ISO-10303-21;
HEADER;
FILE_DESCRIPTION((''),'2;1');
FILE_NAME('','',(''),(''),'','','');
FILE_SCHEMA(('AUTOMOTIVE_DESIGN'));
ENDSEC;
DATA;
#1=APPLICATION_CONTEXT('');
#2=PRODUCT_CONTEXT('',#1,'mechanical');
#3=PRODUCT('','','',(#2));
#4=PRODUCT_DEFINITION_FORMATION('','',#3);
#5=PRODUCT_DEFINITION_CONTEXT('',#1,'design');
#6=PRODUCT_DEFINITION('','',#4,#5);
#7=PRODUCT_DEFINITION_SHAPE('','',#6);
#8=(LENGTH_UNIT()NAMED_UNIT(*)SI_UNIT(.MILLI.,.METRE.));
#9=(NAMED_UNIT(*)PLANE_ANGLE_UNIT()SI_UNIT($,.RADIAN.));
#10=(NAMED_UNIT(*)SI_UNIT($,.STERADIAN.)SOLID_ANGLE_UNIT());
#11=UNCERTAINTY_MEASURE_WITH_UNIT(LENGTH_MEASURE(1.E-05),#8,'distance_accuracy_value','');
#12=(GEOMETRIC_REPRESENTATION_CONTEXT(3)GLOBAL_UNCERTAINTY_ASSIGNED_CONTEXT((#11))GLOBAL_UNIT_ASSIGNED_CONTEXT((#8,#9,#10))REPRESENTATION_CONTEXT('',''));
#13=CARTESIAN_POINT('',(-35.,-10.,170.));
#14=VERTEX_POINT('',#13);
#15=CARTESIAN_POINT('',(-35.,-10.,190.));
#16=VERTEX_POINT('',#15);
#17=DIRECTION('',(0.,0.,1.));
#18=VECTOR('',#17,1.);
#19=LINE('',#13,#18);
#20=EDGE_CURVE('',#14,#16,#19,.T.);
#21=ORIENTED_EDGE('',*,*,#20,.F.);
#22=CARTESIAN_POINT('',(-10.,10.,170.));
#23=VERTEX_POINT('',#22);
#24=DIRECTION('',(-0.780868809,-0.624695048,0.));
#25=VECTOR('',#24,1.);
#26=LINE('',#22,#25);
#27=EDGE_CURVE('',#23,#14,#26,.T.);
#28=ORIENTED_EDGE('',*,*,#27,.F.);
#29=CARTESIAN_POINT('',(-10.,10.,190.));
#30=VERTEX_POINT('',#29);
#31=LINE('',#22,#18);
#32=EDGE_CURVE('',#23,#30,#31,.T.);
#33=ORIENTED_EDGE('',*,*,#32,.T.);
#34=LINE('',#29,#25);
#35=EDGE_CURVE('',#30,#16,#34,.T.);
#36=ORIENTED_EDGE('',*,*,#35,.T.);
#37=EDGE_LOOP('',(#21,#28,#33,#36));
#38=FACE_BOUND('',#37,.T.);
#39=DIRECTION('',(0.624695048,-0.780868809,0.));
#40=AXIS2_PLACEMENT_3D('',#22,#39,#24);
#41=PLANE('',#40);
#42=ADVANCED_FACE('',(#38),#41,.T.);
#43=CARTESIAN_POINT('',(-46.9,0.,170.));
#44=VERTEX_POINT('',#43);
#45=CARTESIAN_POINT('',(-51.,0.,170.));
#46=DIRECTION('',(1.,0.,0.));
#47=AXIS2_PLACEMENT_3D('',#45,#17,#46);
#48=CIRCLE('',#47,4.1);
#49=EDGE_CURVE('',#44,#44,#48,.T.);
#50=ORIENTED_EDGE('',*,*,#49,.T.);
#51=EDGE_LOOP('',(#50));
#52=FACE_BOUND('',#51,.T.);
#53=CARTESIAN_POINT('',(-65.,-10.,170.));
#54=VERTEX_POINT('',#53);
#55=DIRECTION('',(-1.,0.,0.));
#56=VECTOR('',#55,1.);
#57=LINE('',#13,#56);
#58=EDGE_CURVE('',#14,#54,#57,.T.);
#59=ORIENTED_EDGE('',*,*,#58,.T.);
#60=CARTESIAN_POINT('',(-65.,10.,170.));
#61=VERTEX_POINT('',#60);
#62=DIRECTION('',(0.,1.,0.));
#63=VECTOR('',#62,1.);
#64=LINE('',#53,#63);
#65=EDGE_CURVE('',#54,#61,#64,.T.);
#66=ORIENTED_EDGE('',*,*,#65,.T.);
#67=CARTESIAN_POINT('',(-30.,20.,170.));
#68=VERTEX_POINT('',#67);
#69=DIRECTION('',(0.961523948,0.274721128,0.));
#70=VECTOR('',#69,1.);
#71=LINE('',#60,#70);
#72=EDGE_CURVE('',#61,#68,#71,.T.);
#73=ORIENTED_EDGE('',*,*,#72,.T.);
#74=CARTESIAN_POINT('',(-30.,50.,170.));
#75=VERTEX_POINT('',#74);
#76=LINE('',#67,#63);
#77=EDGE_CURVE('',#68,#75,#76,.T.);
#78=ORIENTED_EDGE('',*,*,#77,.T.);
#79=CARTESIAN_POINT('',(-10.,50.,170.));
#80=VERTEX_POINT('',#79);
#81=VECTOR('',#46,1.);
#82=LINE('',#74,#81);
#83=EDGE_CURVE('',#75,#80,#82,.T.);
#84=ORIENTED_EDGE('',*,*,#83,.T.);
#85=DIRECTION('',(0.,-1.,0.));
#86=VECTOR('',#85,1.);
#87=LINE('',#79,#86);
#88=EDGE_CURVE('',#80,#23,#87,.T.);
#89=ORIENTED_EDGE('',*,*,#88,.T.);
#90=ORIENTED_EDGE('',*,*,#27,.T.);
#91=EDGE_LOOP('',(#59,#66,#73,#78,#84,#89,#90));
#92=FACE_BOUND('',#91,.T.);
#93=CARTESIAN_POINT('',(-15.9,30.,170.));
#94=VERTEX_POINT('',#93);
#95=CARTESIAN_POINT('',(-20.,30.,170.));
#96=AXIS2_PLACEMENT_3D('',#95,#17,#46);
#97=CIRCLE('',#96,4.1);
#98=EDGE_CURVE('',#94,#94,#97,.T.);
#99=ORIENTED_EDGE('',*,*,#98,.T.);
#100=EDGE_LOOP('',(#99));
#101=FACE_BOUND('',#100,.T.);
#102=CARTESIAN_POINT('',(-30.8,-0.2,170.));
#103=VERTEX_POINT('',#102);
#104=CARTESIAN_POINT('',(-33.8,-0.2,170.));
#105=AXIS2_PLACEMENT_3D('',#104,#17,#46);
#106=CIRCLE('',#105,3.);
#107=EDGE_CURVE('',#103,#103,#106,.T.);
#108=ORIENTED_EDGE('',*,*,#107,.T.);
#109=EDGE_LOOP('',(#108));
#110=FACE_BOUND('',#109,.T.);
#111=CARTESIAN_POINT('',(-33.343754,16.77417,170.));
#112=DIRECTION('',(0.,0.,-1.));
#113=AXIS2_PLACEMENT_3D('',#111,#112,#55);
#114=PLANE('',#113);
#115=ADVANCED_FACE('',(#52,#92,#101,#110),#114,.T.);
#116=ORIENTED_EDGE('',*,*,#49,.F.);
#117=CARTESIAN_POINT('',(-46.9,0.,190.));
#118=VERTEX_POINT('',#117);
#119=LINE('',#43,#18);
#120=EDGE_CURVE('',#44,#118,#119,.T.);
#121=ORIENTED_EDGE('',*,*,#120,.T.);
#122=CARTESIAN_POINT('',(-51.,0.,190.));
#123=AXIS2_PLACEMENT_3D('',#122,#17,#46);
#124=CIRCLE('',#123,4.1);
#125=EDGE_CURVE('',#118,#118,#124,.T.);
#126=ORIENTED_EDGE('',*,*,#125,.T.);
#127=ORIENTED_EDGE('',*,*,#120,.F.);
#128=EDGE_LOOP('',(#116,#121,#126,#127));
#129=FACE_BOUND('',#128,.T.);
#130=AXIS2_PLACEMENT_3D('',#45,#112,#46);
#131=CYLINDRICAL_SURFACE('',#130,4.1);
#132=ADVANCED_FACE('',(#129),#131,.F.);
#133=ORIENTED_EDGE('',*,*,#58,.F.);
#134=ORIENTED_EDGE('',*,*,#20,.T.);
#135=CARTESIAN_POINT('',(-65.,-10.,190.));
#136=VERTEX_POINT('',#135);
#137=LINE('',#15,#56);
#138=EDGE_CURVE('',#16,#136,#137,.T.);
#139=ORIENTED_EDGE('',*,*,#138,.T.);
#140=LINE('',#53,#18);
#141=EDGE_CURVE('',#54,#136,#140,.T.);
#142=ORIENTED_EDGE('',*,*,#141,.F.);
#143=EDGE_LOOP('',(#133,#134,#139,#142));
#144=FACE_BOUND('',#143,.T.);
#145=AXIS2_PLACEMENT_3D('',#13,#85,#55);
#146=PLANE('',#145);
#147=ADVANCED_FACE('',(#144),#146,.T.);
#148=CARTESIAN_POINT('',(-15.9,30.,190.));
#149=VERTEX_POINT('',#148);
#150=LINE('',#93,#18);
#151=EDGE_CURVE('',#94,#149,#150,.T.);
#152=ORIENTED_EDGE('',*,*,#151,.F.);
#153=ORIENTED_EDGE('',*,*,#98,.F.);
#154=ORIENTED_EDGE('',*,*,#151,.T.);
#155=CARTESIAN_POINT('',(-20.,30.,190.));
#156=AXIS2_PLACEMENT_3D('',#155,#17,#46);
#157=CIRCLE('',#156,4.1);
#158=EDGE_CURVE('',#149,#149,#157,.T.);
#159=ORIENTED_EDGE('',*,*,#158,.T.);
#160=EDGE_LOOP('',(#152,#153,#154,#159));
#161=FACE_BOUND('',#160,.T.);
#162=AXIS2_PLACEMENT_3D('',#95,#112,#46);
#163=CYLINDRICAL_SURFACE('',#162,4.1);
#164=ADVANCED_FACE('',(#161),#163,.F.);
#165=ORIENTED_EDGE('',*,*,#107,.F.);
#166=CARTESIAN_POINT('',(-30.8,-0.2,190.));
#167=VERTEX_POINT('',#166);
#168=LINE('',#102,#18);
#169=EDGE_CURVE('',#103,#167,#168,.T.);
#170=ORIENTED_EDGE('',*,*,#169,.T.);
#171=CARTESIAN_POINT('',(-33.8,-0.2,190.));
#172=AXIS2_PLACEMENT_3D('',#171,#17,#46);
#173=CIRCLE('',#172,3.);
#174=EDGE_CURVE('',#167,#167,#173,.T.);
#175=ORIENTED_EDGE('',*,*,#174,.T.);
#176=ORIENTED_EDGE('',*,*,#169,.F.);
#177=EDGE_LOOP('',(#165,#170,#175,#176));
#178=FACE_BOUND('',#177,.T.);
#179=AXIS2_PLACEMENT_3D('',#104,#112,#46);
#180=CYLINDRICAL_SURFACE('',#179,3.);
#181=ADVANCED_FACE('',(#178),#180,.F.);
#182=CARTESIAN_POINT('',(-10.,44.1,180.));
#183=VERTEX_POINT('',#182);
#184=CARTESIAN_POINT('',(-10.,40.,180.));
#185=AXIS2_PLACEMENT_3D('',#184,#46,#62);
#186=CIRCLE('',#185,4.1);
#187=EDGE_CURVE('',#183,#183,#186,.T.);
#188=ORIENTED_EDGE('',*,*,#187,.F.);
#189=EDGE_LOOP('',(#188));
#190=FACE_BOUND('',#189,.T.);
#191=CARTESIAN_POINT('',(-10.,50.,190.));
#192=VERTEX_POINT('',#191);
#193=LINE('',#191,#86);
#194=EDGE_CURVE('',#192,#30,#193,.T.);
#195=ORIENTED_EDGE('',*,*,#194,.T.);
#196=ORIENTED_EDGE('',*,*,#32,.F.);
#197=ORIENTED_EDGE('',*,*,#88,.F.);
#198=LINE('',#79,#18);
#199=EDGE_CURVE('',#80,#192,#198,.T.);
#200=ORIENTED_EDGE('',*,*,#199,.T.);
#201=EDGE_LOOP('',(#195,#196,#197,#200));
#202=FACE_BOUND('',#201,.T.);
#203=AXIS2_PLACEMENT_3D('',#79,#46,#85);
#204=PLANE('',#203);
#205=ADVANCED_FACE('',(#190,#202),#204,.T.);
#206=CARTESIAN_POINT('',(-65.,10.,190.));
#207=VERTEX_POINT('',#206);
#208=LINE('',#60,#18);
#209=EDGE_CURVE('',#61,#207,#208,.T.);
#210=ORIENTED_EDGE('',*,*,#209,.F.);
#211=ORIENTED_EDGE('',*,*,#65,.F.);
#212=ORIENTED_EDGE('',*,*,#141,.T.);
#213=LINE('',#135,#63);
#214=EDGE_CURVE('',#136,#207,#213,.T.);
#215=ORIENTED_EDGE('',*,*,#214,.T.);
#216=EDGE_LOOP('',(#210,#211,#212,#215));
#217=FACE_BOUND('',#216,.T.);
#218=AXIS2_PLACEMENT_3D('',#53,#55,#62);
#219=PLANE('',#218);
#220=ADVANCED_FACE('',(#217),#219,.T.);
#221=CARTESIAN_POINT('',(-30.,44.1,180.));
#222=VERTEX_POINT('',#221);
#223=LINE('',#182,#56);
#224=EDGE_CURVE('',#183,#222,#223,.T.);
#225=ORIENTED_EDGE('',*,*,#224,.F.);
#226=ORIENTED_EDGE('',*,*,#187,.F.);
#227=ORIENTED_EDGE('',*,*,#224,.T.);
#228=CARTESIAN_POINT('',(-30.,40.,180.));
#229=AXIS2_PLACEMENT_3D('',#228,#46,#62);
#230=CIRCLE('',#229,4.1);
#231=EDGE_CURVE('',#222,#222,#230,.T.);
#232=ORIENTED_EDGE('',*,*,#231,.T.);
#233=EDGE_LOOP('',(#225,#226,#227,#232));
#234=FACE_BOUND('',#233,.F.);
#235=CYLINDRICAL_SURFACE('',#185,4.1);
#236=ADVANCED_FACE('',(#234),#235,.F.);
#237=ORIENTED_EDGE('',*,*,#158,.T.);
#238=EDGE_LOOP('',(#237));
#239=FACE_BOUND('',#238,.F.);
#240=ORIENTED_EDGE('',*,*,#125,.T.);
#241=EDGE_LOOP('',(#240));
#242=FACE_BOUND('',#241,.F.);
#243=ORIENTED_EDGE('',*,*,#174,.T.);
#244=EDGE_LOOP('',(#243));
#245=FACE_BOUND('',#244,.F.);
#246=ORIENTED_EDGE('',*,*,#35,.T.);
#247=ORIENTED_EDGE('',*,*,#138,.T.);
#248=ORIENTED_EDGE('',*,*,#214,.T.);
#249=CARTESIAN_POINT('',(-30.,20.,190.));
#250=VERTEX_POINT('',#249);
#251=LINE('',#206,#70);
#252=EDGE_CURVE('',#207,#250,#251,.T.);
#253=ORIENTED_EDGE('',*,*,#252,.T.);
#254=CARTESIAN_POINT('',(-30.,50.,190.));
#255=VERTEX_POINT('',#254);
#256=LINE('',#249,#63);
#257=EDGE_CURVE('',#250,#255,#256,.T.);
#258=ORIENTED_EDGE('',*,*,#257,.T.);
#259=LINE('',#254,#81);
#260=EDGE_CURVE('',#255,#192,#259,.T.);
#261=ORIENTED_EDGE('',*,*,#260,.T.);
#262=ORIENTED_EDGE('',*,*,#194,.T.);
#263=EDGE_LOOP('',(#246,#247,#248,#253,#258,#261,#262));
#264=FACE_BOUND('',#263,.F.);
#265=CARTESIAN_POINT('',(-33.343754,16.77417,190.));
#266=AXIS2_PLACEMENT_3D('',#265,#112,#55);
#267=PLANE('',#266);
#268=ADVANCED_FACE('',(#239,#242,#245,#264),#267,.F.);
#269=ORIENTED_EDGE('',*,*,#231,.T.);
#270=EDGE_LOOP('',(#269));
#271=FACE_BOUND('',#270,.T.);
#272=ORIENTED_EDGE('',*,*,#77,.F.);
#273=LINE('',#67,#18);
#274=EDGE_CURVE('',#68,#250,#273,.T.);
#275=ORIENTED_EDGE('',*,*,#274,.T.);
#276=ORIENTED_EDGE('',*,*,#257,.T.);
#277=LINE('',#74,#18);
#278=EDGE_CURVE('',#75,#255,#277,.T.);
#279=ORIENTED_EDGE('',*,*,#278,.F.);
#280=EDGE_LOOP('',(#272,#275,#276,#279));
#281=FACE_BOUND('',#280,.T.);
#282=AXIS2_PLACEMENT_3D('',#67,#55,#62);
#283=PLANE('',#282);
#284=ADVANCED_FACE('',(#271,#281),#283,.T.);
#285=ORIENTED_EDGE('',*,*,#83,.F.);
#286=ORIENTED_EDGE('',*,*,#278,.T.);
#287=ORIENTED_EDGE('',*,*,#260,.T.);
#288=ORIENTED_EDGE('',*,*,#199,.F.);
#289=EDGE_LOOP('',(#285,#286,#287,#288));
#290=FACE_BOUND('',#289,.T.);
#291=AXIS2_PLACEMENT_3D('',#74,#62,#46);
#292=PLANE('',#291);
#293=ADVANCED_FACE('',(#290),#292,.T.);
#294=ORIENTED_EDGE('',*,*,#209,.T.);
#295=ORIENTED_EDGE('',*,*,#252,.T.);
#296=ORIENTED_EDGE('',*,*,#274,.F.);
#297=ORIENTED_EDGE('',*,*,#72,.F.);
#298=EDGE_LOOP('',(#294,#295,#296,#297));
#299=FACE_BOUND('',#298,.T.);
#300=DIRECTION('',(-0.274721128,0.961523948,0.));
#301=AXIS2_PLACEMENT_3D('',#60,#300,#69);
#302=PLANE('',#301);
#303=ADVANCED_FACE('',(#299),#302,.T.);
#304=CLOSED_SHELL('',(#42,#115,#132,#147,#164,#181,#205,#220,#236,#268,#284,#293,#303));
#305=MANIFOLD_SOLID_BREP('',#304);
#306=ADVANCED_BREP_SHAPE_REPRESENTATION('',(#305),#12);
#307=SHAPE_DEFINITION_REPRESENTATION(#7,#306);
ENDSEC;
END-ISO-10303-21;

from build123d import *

# Parameters (mm, degrees)
SKETCH_R     = 4.1
SKETCH_R_2   = 3
PAD_DEPTH    = 20
SKETCH001_R  = 4.1
POCKET_DEPTH = 55.001


with BuildPart() as part:
    # Sketch → Pad (new body)
    with BuildSketch(Plane.XY.offset(170)):
        Polygon((-30, 50), (-10, 50), (-10, 10), (-35, -10), (-65, -10), (-65, 10), (-30, 20), align=None)
        with Locations((-51, 0)):
            Circle(SKETCH_R, mode=Mode.SUBTRACT)
        with Locations((-33.8, -0.2)):
            Circle(SKETCH_R_2, mode=Mode.SUBTRACT)
        with Locations((-20, 30)):
            Circle(SKETCH_R, mode=Mode.SUBTRACT)
    extrude(amount=PAD_DEPTH)

    # Sketch001 → Pocket (cut, through all)
    with BuildSketch(Plane(origin=(-10, 0, 170), x_dir=(0, 1, 0), z_dir=(1, 0, 0))):
        with Locations((40, 10)):
            Circle(SKETCH001_R)
    extrude(amount=-POCKET_DEPTH, mode=Mode.SUBTRACT)


solid = part.part
